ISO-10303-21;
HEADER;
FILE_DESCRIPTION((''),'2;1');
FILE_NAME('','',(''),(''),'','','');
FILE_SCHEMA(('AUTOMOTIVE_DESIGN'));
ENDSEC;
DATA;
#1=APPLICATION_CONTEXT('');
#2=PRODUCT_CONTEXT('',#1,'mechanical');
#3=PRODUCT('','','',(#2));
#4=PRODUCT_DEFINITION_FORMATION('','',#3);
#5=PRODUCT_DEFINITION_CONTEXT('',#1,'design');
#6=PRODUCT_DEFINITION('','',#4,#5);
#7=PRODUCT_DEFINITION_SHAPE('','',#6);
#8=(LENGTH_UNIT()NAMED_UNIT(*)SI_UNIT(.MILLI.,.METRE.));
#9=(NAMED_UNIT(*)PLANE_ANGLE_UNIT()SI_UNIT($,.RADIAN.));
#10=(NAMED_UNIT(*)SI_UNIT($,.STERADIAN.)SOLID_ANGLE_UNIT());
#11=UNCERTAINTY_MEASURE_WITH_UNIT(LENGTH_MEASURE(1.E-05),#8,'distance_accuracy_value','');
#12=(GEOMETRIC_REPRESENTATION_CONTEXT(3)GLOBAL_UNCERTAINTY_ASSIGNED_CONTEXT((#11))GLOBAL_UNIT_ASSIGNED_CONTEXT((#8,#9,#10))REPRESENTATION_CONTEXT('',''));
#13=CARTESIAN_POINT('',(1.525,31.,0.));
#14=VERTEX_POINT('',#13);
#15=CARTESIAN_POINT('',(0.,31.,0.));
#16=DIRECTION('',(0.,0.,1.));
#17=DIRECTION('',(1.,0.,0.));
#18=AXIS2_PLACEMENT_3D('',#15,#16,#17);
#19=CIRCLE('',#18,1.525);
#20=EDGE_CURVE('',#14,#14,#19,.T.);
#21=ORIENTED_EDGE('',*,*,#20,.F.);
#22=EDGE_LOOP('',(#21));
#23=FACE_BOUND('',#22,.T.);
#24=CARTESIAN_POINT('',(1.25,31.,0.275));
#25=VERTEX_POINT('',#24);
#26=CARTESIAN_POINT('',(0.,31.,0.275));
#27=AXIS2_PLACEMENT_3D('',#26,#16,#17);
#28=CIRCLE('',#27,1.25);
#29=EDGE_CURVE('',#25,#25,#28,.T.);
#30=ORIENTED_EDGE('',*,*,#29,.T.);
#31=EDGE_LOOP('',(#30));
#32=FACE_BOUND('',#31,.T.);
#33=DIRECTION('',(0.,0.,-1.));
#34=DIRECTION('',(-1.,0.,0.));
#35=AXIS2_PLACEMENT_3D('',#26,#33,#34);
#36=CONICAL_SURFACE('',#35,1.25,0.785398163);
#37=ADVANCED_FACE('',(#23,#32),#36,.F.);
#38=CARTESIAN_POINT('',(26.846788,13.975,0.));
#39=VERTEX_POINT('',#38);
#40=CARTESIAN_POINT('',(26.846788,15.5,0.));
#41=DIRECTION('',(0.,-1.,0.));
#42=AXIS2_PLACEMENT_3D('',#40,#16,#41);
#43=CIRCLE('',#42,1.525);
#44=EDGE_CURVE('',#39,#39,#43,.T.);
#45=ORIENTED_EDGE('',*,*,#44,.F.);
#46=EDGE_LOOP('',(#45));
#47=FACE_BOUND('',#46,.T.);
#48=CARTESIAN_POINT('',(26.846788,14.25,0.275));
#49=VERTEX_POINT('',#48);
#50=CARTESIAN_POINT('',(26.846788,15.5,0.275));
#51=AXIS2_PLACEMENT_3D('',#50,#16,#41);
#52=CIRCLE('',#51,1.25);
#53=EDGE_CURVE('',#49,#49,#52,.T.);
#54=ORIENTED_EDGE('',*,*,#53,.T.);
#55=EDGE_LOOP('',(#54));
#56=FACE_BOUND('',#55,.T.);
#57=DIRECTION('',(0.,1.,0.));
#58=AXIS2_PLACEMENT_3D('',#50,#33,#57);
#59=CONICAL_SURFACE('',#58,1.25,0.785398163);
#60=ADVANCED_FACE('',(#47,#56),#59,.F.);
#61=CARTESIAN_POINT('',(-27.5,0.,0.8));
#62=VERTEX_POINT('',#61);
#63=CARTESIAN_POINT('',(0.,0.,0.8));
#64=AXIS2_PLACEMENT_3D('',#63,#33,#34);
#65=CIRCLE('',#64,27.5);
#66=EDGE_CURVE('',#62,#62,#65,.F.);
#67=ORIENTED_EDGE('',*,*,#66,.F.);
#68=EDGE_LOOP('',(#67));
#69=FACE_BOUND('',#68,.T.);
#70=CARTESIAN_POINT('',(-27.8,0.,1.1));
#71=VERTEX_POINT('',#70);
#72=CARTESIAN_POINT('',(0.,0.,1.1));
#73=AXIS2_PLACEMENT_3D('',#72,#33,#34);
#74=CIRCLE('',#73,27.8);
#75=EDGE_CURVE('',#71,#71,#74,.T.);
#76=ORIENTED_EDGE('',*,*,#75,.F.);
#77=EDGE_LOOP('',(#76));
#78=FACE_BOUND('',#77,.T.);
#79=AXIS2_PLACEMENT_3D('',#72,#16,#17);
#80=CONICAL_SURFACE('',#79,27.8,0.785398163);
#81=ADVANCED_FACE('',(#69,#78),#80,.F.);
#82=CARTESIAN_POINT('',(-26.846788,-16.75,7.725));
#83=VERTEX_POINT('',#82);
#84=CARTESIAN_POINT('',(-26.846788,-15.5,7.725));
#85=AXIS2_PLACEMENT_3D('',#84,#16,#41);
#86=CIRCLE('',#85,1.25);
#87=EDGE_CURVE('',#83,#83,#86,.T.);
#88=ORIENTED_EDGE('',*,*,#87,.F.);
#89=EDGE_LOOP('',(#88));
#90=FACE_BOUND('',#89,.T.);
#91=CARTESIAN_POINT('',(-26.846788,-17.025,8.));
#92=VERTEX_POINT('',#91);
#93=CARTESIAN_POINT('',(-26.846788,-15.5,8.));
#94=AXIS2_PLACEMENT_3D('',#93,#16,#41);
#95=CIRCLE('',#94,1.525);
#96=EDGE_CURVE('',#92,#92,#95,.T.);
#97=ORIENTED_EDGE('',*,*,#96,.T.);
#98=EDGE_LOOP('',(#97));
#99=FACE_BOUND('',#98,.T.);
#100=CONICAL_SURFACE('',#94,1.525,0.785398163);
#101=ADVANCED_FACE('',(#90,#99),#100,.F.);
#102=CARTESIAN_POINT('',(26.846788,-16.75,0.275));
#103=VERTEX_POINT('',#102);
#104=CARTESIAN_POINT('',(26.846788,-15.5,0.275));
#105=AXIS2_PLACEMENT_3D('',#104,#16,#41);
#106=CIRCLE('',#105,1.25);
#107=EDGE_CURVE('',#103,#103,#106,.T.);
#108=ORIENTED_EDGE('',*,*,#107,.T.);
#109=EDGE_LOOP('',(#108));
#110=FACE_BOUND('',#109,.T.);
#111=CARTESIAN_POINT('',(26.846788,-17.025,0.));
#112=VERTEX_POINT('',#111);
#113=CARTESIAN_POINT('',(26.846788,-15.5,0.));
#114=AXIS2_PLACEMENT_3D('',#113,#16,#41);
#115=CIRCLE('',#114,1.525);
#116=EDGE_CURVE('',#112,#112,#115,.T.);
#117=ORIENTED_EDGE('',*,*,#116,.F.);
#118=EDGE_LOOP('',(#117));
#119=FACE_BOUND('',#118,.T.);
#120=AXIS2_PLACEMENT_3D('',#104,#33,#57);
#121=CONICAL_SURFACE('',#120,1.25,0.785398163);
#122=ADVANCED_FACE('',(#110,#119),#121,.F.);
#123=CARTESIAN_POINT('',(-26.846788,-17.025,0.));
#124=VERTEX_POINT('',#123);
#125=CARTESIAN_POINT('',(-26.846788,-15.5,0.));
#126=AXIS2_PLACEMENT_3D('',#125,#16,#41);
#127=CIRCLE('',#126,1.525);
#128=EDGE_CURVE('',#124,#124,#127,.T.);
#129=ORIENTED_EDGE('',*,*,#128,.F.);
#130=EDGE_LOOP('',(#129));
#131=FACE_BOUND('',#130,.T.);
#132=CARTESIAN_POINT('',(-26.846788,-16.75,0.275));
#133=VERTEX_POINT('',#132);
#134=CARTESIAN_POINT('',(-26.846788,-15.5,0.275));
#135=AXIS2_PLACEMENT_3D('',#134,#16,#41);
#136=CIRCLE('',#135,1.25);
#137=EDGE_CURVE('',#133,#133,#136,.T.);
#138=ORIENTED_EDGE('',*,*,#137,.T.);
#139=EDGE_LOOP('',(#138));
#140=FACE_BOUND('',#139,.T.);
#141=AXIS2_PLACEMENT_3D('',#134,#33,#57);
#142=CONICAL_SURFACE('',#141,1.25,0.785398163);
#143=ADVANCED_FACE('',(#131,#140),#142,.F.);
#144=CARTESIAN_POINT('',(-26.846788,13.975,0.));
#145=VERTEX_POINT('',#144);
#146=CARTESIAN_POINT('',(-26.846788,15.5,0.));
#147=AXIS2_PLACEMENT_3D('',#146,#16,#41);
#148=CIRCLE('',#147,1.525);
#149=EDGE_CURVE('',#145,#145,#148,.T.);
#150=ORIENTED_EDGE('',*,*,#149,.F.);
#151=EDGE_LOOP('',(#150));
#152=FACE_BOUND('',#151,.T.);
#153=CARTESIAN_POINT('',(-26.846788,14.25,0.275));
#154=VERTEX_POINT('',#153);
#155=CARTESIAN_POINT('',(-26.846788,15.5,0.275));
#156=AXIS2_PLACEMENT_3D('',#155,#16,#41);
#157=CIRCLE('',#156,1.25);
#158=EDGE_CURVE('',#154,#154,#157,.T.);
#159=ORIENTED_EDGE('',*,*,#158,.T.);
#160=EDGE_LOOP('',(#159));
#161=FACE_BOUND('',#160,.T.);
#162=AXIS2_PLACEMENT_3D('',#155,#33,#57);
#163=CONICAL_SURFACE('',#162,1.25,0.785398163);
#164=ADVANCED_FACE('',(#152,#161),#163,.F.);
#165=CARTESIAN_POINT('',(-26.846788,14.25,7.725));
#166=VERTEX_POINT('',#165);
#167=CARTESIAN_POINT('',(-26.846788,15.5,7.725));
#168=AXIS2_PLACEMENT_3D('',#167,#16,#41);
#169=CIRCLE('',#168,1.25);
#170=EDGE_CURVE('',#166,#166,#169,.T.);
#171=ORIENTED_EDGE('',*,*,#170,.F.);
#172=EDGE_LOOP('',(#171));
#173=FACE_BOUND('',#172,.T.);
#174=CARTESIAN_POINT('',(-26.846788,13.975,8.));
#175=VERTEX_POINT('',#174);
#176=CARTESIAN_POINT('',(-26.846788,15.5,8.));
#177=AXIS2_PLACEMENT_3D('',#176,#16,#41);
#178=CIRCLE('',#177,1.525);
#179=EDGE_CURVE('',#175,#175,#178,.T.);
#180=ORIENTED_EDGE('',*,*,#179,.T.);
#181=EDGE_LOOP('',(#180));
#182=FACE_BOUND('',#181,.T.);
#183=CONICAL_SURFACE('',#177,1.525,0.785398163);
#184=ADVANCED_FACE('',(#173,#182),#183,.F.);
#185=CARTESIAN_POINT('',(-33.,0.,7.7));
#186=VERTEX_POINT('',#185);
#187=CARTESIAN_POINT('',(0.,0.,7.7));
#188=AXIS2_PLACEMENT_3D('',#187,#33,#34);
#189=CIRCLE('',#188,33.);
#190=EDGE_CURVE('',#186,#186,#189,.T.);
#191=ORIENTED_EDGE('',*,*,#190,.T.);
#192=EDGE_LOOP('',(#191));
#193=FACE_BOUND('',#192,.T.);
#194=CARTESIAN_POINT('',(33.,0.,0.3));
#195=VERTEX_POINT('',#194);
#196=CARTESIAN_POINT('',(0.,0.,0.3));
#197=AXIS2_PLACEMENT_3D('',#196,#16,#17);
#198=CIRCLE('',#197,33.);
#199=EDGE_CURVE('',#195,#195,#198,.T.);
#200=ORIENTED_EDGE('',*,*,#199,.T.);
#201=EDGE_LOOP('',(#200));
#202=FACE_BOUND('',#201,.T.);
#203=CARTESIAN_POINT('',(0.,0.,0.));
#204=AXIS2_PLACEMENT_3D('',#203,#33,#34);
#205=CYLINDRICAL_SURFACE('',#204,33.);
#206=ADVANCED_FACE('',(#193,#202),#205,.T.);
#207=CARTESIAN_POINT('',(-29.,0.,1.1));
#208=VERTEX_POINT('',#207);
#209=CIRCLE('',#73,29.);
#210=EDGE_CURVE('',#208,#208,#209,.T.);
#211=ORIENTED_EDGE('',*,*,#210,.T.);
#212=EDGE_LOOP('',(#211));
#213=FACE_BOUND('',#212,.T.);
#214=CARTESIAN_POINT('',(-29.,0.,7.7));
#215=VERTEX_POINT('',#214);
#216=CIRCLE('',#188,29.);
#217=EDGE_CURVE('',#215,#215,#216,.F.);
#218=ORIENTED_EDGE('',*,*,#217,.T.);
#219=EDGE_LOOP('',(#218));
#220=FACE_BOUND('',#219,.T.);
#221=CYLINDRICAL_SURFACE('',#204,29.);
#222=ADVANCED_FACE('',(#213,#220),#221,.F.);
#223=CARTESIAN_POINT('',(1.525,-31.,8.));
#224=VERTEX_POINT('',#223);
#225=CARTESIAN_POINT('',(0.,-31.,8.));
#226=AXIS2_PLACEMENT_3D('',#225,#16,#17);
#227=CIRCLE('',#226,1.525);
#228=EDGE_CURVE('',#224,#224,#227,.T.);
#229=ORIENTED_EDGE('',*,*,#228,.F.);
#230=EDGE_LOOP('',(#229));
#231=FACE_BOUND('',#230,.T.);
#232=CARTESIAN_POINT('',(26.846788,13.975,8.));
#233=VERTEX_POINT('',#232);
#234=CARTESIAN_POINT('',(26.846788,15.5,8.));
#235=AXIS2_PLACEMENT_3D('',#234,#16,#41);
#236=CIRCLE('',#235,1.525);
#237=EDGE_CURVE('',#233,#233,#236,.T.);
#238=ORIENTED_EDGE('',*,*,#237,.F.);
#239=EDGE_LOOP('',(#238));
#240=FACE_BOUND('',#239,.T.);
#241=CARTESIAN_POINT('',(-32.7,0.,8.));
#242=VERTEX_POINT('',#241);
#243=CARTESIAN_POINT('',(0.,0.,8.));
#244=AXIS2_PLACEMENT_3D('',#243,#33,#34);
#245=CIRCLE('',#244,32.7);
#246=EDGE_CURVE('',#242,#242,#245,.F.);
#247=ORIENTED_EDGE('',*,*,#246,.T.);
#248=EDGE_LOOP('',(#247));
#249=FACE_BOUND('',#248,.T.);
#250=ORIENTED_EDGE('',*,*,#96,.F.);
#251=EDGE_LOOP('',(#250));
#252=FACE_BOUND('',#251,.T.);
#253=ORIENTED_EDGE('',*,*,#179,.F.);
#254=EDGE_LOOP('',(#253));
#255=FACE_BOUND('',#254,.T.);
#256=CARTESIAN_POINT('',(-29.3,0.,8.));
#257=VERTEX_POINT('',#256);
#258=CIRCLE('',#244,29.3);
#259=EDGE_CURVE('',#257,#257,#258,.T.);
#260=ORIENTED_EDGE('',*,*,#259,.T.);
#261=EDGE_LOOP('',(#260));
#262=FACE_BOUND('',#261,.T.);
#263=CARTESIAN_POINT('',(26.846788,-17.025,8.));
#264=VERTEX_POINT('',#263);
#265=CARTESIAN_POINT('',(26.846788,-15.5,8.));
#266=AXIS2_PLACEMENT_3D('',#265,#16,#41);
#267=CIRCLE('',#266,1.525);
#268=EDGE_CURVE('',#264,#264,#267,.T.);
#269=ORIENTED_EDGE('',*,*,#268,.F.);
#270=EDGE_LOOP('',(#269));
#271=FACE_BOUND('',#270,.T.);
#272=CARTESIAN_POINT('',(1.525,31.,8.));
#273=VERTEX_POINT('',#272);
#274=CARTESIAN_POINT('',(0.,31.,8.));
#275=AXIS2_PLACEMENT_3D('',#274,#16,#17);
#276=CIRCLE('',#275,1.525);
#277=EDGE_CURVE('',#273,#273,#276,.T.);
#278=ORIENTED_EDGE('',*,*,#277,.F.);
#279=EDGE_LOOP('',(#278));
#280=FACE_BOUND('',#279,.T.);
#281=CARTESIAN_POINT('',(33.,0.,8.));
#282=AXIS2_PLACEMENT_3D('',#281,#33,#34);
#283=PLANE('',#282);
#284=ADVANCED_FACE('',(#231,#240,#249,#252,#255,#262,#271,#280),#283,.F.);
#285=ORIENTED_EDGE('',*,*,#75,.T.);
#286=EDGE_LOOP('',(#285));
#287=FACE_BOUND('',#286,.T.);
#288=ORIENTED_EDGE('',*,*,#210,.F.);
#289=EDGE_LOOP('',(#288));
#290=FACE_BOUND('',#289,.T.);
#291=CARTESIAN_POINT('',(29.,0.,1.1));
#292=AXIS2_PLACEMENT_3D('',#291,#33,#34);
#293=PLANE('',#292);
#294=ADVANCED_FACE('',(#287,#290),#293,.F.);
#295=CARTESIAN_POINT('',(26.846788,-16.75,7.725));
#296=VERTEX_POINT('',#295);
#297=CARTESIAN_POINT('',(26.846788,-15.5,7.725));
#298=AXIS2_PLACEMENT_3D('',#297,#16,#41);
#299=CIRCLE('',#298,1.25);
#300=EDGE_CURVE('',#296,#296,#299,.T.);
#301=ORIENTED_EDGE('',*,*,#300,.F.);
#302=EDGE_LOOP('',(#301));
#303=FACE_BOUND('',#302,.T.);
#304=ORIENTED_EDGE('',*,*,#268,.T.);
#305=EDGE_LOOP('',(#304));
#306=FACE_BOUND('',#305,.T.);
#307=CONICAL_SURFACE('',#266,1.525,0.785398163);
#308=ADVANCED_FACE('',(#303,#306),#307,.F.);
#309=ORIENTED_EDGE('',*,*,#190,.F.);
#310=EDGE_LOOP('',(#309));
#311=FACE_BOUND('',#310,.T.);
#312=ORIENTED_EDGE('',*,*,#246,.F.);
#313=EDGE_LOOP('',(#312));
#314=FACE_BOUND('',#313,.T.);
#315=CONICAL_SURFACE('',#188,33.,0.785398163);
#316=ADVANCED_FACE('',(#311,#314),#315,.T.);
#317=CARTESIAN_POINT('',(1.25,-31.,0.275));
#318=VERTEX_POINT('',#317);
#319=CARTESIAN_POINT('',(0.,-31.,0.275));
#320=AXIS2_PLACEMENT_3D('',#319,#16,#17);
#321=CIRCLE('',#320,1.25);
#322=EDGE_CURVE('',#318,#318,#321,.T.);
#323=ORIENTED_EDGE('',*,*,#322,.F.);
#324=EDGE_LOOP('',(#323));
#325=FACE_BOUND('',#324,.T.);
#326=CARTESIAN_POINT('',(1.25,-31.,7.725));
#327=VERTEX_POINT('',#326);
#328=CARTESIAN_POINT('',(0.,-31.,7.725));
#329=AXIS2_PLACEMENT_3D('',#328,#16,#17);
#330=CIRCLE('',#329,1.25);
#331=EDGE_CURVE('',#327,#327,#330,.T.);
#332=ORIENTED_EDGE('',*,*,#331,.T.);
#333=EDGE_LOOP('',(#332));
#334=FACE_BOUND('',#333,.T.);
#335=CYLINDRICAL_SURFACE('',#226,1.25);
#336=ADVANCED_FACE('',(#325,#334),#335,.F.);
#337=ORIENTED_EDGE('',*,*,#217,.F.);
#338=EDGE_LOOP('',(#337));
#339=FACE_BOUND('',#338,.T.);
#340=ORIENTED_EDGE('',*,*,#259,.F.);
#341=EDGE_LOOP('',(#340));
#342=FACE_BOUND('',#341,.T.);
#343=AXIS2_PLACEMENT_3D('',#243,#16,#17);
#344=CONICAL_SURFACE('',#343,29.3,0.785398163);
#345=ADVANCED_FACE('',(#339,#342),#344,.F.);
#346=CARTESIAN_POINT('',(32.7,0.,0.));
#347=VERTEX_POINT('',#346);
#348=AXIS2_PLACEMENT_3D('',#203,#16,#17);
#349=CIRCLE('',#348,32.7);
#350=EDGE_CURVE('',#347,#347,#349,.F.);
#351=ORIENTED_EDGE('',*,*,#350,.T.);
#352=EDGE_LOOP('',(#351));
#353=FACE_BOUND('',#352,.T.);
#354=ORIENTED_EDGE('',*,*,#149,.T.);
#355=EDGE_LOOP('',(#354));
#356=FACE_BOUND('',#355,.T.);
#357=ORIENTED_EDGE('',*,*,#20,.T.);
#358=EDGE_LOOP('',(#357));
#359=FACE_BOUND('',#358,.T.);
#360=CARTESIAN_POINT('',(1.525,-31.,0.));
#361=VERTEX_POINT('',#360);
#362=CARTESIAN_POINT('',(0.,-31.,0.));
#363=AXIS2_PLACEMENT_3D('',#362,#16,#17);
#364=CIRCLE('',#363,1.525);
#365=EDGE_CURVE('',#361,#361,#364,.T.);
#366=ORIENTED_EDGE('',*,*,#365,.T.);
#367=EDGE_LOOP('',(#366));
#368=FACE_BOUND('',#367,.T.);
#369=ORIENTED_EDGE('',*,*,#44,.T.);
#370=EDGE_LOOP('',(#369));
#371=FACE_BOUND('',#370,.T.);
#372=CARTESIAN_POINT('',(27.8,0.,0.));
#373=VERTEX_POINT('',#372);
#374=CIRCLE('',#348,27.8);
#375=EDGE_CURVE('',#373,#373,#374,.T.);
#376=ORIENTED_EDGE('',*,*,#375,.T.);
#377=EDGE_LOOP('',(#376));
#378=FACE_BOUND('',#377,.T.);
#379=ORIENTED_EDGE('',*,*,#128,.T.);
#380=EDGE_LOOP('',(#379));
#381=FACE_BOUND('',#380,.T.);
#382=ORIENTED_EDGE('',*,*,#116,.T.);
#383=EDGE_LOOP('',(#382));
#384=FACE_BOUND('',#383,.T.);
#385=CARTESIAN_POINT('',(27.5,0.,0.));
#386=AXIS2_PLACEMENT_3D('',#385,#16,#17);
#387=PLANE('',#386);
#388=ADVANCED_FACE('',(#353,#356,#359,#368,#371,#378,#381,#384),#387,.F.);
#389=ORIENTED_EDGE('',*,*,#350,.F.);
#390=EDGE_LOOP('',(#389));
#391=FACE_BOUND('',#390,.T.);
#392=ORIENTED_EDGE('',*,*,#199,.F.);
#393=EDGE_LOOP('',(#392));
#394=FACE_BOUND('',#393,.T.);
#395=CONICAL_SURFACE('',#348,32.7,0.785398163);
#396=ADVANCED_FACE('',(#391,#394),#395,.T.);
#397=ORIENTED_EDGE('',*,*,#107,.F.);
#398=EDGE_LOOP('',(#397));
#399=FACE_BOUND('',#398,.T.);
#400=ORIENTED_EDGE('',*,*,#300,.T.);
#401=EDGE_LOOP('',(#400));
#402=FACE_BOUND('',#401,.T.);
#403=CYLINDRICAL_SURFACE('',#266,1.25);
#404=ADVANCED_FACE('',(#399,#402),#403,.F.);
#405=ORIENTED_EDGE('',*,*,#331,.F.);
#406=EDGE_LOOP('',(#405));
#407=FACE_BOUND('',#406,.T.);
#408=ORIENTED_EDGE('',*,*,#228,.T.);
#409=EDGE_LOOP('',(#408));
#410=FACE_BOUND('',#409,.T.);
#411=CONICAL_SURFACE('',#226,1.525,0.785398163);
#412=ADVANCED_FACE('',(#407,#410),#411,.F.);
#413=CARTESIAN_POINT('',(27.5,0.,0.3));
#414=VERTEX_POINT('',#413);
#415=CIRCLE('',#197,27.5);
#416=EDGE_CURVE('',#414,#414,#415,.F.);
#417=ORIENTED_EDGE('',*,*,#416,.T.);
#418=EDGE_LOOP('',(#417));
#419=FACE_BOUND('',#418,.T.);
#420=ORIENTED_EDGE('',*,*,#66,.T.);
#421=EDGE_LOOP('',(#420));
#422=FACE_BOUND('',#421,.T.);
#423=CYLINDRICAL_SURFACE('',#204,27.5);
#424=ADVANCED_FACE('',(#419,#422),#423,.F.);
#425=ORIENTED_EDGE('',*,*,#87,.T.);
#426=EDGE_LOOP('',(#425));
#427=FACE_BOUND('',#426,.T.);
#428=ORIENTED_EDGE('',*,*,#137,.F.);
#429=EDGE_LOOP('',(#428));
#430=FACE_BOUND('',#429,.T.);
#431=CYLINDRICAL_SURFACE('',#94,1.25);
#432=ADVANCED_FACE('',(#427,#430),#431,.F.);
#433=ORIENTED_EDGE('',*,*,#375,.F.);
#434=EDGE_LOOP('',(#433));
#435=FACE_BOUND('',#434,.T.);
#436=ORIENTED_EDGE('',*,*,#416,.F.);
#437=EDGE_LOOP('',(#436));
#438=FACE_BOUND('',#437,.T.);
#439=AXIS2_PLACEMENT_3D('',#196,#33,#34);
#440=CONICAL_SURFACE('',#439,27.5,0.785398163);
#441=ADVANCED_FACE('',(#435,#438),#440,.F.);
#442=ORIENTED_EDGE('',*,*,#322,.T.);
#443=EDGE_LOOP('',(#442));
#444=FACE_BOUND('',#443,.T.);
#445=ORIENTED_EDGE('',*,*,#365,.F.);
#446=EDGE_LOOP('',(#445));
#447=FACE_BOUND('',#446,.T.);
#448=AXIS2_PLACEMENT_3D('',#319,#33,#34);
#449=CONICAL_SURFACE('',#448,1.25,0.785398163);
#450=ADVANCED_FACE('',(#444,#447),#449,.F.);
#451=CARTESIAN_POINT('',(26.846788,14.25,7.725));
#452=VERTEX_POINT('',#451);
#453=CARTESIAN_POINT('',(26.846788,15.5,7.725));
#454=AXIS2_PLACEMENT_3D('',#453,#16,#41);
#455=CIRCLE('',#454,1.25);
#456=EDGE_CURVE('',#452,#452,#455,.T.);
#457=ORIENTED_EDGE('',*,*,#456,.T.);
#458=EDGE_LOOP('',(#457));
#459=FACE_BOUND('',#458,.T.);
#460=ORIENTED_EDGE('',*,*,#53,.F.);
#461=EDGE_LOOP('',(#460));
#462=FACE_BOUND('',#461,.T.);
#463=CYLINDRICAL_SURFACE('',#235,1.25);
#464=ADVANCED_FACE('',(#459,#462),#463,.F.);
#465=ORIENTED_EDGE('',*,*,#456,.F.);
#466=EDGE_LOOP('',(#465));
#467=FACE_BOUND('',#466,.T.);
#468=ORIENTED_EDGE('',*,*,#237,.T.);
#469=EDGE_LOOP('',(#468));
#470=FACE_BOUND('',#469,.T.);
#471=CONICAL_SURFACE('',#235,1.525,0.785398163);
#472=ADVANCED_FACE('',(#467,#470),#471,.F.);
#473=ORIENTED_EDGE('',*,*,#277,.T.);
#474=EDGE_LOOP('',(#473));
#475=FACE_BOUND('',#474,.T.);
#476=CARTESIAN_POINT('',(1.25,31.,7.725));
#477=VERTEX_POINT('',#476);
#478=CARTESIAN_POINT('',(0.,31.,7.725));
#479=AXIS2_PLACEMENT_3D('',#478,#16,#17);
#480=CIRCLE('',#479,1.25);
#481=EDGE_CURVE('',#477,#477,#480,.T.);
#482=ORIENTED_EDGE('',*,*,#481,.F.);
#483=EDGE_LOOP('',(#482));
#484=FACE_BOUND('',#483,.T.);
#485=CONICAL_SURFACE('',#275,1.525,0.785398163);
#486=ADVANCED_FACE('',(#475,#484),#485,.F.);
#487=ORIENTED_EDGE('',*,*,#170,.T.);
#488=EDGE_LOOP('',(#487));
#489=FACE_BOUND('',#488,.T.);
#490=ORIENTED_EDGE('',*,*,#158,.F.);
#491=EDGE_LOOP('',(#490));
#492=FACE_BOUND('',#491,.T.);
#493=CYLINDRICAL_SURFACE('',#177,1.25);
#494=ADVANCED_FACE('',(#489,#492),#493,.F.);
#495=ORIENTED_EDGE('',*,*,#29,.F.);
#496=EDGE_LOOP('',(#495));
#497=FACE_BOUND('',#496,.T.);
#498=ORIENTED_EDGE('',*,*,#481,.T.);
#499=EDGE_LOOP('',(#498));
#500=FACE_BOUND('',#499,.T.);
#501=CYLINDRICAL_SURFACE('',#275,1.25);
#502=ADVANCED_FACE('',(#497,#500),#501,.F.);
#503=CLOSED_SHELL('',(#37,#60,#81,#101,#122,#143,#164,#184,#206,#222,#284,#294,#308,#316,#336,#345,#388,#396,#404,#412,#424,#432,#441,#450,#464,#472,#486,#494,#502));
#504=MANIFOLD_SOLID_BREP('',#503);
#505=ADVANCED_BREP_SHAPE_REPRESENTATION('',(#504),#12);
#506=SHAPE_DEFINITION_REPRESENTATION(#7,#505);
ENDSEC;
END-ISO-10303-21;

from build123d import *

# Parameters (mm, degrees)
PATTERN_CIRCULAR_1_COUNT = 6
CHAMFER_1_SIZE           = 0.3


with BuildPart() as part:
    # 草图1 → 旋转1 (revolve)
    with BuildSketch(Plane(origin=(0, 0, 0), x_dir=(1, 0, 0), z_dir=(0, 1, 0)), mode=Mode.PRIVATE) as revolve_1_sk:
        Polygon((27.5, 0), (33, 0), (33, -8), (29, -8), (29, -1.1), (27.5, -1.1), align=None)
    revolve(revolve_1_sk.sketch.rotate(Axis((0, 0, 0), (0, 0, 1)), 180), axis=Axis((0, 0, 0), (0, 0, 1)))

    # 草图3 → M3 螺纹孔1 (revolve, cut)
    with BuildSketch(Plane(origin=(0, 31, 8), x_dir=(0, -1, 0), z_dir=(1, 0, 0))):
        Polygon((0, 0), (0, 8), (1.525, 8), (1.25, 7.725), (1.25, 0.275), (1.525, 0), align=None)
    hole_wizard_m3_1 = revolve(axis=Axis((0, 31, 14.35), (0, 0, -1)), mode=Mode.SUBTRACT)

    # 阵列(圆周)1: M3 螺纹孔1 ×6 about axis
    pattern_circular_1_axis = Axis((0, 0, 0), (0, 0, 1))
    for i in range(1, PATTERN_CIRCULAR_1_COUNT):
        add(hole_wizard_m3_1.rotate(pattern_circular_1_axis, i * 360 / PATTERN_CIRCULAR_1_COUNT), mode=Mode.SUBTRACT)

    # 倒角1
    chamfer_1_edges = [part.edges().sort_by_distance(p)[0] for p in [
        (27.5, 0, 1.1),
        (29, 0, 8),
        (33, 0, 8),
        (33, 0, 0),
        (27.5, 0, 0),
    ]]
    chamfer(chamfer_1_edges, length=CHAMFER_1_SIZE)


solid = part.part
